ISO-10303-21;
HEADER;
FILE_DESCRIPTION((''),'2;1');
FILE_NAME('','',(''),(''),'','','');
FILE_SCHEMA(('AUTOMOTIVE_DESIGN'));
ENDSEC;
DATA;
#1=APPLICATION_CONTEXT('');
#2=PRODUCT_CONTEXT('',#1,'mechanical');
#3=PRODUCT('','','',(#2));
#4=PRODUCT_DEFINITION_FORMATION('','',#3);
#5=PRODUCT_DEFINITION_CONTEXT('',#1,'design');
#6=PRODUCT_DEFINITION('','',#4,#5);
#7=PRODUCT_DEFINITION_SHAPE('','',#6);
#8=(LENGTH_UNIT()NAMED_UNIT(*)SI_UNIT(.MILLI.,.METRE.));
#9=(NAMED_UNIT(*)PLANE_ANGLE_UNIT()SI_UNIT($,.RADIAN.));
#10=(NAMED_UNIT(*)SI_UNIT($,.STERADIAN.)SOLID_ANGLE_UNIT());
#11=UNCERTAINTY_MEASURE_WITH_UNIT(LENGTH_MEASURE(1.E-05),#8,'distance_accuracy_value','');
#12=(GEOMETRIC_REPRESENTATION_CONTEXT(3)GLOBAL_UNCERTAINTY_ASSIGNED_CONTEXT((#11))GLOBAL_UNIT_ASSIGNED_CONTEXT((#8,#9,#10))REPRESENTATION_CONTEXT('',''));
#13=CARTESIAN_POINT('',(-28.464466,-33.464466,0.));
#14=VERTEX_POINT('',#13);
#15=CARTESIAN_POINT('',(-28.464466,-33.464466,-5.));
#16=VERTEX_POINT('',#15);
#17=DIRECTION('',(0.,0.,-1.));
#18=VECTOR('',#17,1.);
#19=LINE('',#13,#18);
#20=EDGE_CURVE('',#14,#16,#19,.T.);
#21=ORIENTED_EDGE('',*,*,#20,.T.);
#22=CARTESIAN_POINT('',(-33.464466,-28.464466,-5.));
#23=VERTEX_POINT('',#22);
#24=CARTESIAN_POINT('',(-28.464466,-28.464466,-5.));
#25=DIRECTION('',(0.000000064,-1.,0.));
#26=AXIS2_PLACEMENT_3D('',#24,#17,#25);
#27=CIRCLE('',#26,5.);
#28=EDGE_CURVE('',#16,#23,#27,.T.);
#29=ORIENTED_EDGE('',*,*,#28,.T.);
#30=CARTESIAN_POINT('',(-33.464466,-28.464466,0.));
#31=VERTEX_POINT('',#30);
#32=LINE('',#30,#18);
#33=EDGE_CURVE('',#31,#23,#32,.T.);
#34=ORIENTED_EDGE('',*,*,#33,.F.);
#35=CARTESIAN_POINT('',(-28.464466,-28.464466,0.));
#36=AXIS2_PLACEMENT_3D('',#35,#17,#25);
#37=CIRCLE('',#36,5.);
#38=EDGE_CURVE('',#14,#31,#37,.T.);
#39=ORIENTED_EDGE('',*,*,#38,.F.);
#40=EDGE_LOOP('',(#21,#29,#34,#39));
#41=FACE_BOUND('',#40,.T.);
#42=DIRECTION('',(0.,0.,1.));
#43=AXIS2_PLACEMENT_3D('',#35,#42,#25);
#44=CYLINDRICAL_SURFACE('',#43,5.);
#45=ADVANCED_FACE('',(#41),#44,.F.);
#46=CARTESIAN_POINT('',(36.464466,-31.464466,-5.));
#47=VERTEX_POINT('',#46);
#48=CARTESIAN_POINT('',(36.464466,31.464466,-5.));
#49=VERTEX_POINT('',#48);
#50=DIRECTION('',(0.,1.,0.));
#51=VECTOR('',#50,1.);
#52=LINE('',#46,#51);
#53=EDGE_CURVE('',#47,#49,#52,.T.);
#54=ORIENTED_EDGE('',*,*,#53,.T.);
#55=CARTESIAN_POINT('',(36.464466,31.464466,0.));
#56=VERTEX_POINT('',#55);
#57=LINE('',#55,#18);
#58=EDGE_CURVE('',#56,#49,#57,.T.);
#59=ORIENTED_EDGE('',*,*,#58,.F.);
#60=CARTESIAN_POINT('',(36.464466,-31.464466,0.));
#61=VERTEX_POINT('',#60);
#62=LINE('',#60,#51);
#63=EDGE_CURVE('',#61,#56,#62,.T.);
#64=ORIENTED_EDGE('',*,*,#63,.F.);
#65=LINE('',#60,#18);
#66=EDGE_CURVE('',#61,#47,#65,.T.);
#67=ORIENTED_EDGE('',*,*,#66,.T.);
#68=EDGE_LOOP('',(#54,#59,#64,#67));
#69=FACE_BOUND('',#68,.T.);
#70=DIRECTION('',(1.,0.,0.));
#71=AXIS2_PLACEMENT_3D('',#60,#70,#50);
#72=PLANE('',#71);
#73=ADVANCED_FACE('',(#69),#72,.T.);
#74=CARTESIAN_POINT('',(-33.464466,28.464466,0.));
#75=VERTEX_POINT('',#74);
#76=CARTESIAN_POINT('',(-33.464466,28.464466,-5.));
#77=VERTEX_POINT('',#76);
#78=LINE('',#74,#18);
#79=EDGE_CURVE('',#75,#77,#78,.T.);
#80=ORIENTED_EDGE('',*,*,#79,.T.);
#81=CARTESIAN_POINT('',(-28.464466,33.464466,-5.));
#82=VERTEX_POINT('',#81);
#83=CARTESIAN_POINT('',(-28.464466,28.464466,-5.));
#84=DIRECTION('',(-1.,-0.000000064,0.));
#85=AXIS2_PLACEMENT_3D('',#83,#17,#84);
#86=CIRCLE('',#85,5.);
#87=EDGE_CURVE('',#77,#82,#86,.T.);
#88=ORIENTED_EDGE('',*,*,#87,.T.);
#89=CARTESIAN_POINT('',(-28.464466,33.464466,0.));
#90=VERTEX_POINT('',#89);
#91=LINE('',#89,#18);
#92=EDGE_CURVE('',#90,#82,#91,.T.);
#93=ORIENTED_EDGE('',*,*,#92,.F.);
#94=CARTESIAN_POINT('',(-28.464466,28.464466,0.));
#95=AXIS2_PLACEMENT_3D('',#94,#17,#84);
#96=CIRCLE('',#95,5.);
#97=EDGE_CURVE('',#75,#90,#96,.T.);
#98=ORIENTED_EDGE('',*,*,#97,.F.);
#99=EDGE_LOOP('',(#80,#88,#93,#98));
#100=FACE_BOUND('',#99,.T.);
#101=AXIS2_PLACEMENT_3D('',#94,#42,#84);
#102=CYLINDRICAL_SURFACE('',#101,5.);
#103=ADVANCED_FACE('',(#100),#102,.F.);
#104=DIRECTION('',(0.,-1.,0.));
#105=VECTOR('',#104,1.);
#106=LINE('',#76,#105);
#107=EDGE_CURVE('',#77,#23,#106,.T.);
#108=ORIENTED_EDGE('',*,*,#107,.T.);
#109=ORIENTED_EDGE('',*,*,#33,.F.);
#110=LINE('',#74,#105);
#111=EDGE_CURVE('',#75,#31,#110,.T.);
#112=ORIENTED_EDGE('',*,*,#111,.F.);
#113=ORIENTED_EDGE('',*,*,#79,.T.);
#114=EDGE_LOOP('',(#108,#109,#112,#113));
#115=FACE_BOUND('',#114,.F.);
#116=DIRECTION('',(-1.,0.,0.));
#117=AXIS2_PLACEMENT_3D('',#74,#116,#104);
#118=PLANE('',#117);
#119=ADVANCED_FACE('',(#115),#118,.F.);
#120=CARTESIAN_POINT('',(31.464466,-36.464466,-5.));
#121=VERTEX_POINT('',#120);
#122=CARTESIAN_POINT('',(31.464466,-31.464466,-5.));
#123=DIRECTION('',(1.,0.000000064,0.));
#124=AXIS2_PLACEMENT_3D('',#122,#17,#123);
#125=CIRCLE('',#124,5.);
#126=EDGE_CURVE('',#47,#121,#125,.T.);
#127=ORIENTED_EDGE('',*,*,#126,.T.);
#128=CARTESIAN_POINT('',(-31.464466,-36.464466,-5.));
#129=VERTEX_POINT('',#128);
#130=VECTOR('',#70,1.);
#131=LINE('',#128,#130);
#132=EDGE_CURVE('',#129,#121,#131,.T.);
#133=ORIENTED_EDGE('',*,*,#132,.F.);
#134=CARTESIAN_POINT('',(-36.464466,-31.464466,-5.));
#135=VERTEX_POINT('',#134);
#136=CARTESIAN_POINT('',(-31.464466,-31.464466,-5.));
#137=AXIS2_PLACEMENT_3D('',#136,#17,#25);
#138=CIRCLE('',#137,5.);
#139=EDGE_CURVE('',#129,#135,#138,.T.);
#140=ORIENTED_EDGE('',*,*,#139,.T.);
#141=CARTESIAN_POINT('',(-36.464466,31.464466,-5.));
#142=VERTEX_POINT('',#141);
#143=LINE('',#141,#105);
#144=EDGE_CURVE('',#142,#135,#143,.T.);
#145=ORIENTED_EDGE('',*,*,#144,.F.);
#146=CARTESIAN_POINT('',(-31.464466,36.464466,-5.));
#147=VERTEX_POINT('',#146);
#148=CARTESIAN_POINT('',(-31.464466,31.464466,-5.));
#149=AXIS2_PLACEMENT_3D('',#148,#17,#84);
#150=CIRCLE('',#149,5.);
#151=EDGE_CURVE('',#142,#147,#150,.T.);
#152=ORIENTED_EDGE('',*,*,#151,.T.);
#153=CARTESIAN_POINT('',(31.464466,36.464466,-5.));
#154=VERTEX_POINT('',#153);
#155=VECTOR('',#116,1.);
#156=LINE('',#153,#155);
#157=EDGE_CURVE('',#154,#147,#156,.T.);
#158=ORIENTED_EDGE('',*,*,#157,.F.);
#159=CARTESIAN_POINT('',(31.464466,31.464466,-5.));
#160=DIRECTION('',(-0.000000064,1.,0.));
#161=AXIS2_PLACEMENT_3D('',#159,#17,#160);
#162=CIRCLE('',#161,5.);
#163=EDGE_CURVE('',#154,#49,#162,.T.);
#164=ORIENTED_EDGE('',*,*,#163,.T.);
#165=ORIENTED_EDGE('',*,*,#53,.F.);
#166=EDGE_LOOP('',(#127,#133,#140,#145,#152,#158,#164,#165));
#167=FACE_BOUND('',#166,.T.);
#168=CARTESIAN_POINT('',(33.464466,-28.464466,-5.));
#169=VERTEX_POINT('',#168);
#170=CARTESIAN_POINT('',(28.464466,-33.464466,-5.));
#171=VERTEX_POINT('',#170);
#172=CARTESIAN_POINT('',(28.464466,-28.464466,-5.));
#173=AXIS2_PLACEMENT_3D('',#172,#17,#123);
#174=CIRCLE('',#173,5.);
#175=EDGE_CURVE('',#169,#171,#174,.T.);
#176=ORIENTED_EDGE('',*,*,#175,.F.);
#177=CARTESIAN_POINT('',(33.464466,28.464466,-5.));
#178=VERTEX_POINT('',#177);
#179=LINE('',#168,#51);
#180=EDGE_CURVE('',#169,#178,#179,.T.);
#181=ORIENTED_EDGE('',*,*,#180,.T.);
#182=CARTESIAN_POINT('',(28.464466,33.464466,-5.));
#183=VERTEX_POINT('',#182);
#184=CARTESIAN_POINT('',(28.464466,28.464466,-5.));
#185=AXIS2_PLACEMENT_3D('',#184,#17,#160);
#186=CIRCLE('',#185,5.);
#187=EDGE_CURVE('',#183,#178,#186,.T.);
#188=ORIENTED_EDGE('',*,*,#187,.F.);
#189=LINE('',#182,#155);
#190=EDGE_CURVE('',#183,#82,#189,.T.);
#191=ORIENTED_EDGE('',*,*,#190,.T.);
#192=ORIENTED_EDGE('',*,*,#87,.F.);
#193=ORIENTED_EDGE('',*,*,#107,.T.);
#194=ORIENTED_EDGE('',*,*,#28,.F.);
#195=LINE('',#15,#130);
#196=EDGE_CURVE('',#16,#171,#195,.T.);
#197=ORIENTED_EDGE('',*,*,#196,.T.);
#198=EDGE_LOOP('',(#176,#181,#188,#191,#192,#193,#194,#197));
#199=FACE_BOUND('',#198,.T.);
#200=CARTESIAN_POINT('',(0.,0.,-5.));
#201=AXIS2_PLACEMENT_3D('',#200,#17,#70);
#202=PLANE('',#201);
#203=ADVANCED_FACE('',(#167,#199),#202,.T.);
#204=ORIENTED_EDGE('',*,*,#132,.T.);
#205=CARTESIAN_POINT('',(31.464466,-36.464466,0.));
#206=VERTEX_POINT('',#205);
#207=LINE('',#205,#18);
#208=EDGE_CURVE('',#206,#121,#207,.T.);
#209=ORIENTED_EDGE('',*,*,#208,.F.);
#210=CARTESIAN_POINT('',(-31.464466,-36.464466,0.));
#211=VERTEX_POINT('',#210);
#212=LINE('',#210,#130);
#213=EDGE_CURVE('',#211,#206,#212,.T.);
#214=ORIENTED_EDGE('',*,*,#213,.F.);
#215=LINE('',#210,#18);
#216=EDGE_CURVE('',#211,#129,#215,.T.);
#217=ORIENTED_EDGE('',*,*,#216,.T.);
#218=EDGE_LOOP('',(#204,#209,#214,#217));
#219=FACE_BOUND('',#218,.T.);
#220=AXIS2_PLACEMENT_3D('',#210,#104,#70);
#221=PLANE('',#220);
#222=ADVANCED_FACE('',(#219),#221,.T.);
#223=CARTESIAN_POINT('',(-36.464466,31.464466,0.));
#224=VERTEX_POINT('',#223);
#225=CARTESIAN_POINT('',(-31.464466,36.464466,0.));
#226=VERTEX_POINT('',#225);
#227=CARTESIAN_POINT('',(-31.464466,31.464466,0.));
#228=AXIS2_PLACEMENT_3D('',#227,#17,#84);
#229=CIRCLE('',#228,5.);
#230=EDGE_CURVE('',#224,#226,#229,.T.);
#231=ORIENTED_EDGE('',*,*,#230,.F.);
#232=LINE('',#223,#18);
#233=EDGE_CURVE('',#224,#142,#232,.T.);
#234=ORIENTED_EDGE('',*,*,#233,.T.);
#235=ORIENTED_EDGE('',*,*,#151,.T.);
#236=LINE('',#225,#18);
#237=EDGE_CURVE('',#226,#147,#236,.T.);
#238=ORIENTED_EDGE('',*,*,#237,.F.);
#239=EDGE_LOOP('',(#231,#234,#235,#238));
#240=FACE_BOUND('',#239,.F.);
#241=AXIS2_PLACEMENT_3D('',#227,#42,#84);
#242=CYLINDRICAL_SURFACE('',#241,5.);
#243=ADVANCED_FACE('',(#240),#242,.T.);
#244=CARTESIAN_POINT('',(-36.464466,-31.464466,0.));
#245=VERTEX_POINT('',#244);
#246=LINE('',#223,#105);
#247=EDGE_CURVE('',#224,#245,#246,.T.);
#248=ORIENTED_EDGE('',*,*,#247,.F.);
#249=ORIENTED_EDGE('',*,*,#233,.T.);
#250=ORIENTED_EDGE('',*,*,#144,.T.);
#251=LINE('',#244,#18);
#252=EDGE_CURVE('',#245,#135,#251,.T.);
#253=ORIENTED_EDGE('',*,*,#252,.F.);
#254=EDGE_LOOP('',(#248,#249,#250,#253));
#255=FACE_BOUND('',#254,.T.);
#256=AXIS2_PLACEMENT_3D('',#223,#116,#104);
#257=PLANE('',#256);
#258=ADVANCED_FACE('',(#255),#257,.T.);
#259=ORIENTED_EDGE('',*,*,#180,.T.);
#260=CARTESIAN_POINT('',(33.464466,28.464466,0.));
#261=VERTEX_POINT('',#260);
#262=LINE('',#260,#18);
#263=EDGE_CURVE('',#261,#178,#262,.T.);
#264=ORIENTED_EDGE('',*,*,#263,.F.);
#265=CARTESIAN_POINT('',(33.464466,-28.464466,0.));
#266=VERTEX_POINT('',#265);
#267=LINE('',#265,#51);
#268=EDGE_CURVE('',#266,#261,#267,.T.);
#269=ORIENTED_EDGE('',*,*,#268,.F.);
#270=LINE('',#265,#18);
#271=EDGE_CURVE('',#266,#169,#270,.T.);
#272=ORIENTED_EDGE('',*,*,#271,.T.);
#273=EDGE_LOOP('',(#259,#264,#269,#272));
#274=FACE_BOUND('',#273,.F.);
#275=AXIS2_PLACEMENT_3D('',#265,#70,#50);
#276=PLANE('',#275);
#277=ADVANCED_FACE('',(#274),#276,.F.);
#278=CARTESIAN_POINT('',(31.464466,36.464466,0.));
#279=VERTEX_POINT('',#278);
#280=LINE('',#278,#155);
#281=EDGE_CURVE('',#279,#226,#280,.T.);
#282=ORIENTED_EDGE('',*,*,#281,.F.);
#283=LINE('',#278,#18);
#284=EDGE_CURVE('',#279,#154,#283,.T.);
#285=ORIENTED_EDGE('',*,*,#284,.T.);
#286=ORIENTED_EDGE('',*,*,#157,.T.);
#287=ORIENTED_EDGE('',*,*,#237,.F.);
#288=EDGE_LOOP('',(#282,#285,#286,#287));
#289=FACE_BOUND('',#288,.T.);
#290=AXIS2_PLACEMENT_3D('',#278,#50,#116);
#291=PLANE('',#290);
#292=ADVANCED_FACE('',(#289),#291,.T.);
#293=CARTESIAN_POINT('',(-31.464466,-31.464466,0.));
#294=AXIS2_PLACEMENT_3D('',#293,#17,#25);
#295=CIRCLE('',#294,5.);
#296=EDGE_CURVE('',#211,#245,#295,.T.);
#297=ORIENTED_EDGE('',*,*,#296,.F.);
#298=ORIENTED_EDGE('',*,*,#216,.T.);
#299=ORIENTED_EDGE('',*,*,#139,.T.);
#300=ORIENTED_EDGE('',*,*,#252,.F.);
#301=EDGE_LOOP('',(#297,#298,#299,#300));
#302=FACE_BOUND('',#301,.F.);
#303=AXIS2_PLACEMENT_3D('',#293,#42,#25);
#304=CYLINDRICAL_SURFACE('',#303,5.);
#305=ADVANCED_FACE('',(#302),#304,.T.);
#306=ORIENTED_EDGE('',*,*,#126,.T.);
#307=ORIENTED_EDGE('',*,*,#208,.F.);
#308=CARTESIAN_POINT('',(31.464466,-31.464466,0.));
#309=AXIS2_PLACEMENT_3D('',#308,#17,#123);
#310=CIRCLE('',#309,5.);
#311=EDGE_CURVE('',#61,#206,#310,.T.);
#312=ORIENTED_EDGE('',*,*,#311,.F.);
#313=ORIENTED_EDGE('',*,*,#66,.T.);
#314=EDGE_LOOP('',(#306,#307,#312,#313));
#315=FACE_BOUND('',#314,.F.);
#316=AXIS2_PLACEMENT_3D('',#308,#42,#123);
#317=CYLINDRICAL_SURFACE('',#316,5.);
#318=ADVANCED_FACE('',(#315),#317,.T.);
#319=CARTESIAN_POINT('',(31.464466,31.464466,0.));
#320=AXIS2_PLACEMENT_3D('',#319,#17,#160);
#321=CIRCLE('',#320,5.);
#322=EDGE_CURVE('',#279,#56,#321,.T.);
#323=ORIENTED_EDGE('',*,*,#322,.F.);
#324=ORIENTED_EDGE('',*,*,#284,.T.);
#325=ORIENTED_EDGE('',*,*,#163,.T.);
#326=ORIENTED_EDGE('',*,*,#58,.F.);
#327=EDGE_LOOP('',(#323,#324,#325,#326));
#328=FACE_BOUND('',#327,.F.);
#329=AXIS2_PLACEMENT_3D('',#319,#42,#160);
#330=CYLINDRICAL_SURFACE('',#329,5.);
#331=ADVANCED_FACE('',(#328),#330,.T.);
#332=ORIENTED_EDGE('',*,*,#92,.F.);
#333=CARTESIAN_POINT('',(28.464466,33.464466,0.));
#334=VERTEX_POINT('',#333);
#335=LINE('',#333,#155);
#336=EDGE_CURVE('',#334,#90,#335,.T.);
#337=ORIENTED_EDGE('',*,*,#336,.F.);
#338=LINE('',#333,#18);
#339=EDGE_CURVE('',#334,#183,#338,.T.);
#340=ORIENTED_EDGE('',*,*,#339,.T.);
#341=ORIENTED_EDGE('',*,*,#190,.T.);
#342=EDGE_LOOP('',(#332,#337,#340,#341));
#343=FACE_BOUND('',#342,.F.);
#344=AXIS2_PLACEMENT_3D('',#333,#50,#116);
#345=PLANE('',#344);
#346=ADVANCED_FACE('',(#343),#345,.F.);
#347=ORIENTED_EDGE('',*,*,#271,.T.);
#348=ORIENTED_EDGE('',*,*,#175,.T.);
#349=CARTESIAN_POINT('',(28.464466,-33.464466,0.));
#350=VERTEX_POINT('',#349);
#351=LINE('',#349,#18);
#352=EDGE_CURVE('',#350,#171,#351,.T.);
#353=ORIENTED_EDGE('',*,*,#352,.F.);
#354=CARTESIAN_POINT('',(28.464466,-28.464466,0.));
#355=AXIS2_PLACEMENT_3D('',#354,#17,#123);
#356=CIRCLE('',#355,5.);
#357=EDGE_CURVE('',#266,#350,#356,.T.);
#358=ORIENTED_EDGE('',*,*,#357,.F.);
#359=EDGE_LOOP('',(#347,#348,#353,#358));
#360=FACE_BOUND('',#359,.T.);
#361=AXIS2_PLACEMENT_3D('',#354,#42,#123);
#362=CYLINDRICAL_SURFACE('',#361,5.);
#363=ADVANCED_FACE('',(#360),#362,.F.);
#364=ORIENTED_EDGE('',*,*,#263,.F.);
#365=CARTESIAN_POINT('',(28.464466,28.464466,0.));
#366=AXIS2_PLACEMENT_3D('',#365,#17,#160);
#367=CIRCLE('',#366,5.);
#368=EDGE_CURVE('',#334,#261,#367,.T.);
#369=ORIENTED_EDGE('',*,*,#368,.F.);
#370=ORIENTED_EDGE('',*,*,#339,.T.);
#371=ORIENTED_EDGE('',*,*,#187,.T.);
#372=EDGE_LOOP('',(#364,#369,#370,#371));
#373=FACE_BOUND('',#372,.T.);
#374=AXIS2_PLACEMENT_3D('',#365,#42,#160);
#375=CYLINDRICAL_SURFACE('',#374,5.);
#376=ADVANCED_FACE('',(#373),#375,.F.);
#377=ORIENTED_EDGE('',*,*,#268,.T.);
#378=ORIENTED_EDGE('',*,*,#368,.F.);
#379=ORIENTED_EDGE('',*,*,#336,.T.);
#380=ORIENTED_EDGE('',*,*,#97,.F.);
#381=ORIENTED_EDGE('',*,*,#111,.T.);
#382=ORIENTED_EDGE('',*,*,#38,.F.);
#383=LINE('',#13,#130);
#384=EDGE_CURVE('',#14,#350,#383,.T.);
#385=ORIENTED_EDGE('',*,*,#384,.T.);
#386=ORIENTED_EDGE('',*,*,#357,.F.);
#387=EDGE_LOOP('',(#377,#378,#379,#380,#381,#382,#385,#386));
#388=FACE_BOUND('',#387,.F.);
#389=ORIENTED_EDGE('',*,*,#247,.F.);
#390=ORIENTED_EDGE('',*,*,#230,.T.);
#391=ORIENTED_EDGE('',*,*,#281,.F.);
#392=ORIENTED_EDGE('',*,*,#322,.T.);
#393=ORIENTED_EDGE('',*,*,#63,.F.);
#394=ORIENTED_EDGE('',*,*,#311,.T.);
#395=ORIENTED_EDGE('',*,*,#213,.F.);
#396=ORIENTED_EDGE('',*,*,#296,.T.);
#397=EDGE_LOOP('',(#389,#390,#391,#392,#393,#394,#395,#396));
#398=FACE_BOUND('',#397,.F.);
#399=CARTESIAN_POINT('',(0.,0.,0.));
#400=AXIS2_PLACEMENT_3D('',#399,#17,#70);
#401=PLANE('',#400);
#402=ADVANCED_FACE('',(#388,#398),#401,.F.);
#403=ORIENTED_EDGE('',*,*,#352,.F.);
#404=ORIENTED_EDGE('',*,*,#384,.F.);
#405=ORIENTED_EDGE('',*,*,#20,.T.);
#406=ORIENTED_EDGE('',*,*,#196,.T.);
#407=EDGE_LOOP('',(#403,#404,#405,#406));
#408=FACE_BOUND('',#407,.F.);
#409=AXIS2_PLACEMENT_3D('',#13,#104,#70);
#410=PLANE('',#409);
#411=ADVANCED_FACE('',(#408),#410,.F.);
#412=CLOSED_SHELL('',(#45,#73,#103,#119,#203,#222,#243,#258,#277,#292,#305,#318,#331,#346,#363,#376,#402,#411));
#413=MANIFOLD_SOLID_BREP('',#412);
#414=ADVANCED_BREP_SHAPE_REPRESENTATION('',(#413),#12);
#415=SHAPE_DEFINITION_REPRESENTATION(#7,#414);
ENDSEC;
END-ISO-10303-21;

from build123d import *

# Parameters (mm, degrees)
EXTRUDE003_DEPTH = 5
EXTRUDE002_DEPTH = 5


with BuildPart() as extrude003:
    # Sketch010 (on Face2 of Cut) → Extrude003 (new body)
    with BuildSketch(Plane(origin=(0, 0, 0), x_dir=(1, 0, 0), z_dir=(0, 0, -1))):
        with BuildLine():
            Line((-28.464466, 33.464466), (28.464466, 33.464466))
            ThreePointArc((33.464466, 28.464466), (32, 32), (28.464466, 33.464466))
            Line((33.464466, 28.464466), (33.464466, -28.464466))
            ThreePointArc((28.464466, -33.464466), (32, -32), (33.464466, -28.464466))
            Line((28.464466, -33.464466), (-28.464466, -33.464466))
            ThreePointArc((-33.464466, -28.464466), (-32, -32), (-28.464466, -33.464466))
            Line((-33.464466, -28.464466), (-33.464466, 28.464466))
            ThreePointArc((-28.464466, 33.464466), (-32, 32), (-33.464466, 28.464466))
        make_face()
    extrude(amount=EXTRUDE003_DEPTH)


with BuildPart() as cut_insertintotophalf:
    # Sketch009 (on Face2 of Cut) → Extrude002 (new body)
    with BuildSketch(Plane(origin=(0, 0, 0), x_dir=(1, 0, 0), z_dir=(0, 0, -1))):
        with BuildLine():
            ThreePointArc((-31.464466, 36.464466), (-35, 35), (-36.464466, 31.464466))
            Line((-36.464466, -31.464466), (-36.464466, 31.464466))
            ThreePointArc((-36.464466, -31.464466), (-35, -35), (-31.464466, -36.464466))
            Line((31.464466, -36.464466), (-31.464466, -36.464466))
            ThreePointArc((31.464466, -36.464466), (35, -35), (36.464466, -31.464466))
            Line((36.464466, 31.464466), (36.464466, -31.464466))
            ThreePointArc((36.464466, 31.464466), (35, 35), (31.464466, 36.464466))
            Line((-31.464466, 36.464466), (31.464466, 36.464466))
        make_face()
    extrude(amount=EXTRUDE002_DEPTH)

    # Cut001: cut Extrude003
    add(extrude003.part, mode=Mode.SUBTRACT)


solid = cut_insertintotophalf.part
